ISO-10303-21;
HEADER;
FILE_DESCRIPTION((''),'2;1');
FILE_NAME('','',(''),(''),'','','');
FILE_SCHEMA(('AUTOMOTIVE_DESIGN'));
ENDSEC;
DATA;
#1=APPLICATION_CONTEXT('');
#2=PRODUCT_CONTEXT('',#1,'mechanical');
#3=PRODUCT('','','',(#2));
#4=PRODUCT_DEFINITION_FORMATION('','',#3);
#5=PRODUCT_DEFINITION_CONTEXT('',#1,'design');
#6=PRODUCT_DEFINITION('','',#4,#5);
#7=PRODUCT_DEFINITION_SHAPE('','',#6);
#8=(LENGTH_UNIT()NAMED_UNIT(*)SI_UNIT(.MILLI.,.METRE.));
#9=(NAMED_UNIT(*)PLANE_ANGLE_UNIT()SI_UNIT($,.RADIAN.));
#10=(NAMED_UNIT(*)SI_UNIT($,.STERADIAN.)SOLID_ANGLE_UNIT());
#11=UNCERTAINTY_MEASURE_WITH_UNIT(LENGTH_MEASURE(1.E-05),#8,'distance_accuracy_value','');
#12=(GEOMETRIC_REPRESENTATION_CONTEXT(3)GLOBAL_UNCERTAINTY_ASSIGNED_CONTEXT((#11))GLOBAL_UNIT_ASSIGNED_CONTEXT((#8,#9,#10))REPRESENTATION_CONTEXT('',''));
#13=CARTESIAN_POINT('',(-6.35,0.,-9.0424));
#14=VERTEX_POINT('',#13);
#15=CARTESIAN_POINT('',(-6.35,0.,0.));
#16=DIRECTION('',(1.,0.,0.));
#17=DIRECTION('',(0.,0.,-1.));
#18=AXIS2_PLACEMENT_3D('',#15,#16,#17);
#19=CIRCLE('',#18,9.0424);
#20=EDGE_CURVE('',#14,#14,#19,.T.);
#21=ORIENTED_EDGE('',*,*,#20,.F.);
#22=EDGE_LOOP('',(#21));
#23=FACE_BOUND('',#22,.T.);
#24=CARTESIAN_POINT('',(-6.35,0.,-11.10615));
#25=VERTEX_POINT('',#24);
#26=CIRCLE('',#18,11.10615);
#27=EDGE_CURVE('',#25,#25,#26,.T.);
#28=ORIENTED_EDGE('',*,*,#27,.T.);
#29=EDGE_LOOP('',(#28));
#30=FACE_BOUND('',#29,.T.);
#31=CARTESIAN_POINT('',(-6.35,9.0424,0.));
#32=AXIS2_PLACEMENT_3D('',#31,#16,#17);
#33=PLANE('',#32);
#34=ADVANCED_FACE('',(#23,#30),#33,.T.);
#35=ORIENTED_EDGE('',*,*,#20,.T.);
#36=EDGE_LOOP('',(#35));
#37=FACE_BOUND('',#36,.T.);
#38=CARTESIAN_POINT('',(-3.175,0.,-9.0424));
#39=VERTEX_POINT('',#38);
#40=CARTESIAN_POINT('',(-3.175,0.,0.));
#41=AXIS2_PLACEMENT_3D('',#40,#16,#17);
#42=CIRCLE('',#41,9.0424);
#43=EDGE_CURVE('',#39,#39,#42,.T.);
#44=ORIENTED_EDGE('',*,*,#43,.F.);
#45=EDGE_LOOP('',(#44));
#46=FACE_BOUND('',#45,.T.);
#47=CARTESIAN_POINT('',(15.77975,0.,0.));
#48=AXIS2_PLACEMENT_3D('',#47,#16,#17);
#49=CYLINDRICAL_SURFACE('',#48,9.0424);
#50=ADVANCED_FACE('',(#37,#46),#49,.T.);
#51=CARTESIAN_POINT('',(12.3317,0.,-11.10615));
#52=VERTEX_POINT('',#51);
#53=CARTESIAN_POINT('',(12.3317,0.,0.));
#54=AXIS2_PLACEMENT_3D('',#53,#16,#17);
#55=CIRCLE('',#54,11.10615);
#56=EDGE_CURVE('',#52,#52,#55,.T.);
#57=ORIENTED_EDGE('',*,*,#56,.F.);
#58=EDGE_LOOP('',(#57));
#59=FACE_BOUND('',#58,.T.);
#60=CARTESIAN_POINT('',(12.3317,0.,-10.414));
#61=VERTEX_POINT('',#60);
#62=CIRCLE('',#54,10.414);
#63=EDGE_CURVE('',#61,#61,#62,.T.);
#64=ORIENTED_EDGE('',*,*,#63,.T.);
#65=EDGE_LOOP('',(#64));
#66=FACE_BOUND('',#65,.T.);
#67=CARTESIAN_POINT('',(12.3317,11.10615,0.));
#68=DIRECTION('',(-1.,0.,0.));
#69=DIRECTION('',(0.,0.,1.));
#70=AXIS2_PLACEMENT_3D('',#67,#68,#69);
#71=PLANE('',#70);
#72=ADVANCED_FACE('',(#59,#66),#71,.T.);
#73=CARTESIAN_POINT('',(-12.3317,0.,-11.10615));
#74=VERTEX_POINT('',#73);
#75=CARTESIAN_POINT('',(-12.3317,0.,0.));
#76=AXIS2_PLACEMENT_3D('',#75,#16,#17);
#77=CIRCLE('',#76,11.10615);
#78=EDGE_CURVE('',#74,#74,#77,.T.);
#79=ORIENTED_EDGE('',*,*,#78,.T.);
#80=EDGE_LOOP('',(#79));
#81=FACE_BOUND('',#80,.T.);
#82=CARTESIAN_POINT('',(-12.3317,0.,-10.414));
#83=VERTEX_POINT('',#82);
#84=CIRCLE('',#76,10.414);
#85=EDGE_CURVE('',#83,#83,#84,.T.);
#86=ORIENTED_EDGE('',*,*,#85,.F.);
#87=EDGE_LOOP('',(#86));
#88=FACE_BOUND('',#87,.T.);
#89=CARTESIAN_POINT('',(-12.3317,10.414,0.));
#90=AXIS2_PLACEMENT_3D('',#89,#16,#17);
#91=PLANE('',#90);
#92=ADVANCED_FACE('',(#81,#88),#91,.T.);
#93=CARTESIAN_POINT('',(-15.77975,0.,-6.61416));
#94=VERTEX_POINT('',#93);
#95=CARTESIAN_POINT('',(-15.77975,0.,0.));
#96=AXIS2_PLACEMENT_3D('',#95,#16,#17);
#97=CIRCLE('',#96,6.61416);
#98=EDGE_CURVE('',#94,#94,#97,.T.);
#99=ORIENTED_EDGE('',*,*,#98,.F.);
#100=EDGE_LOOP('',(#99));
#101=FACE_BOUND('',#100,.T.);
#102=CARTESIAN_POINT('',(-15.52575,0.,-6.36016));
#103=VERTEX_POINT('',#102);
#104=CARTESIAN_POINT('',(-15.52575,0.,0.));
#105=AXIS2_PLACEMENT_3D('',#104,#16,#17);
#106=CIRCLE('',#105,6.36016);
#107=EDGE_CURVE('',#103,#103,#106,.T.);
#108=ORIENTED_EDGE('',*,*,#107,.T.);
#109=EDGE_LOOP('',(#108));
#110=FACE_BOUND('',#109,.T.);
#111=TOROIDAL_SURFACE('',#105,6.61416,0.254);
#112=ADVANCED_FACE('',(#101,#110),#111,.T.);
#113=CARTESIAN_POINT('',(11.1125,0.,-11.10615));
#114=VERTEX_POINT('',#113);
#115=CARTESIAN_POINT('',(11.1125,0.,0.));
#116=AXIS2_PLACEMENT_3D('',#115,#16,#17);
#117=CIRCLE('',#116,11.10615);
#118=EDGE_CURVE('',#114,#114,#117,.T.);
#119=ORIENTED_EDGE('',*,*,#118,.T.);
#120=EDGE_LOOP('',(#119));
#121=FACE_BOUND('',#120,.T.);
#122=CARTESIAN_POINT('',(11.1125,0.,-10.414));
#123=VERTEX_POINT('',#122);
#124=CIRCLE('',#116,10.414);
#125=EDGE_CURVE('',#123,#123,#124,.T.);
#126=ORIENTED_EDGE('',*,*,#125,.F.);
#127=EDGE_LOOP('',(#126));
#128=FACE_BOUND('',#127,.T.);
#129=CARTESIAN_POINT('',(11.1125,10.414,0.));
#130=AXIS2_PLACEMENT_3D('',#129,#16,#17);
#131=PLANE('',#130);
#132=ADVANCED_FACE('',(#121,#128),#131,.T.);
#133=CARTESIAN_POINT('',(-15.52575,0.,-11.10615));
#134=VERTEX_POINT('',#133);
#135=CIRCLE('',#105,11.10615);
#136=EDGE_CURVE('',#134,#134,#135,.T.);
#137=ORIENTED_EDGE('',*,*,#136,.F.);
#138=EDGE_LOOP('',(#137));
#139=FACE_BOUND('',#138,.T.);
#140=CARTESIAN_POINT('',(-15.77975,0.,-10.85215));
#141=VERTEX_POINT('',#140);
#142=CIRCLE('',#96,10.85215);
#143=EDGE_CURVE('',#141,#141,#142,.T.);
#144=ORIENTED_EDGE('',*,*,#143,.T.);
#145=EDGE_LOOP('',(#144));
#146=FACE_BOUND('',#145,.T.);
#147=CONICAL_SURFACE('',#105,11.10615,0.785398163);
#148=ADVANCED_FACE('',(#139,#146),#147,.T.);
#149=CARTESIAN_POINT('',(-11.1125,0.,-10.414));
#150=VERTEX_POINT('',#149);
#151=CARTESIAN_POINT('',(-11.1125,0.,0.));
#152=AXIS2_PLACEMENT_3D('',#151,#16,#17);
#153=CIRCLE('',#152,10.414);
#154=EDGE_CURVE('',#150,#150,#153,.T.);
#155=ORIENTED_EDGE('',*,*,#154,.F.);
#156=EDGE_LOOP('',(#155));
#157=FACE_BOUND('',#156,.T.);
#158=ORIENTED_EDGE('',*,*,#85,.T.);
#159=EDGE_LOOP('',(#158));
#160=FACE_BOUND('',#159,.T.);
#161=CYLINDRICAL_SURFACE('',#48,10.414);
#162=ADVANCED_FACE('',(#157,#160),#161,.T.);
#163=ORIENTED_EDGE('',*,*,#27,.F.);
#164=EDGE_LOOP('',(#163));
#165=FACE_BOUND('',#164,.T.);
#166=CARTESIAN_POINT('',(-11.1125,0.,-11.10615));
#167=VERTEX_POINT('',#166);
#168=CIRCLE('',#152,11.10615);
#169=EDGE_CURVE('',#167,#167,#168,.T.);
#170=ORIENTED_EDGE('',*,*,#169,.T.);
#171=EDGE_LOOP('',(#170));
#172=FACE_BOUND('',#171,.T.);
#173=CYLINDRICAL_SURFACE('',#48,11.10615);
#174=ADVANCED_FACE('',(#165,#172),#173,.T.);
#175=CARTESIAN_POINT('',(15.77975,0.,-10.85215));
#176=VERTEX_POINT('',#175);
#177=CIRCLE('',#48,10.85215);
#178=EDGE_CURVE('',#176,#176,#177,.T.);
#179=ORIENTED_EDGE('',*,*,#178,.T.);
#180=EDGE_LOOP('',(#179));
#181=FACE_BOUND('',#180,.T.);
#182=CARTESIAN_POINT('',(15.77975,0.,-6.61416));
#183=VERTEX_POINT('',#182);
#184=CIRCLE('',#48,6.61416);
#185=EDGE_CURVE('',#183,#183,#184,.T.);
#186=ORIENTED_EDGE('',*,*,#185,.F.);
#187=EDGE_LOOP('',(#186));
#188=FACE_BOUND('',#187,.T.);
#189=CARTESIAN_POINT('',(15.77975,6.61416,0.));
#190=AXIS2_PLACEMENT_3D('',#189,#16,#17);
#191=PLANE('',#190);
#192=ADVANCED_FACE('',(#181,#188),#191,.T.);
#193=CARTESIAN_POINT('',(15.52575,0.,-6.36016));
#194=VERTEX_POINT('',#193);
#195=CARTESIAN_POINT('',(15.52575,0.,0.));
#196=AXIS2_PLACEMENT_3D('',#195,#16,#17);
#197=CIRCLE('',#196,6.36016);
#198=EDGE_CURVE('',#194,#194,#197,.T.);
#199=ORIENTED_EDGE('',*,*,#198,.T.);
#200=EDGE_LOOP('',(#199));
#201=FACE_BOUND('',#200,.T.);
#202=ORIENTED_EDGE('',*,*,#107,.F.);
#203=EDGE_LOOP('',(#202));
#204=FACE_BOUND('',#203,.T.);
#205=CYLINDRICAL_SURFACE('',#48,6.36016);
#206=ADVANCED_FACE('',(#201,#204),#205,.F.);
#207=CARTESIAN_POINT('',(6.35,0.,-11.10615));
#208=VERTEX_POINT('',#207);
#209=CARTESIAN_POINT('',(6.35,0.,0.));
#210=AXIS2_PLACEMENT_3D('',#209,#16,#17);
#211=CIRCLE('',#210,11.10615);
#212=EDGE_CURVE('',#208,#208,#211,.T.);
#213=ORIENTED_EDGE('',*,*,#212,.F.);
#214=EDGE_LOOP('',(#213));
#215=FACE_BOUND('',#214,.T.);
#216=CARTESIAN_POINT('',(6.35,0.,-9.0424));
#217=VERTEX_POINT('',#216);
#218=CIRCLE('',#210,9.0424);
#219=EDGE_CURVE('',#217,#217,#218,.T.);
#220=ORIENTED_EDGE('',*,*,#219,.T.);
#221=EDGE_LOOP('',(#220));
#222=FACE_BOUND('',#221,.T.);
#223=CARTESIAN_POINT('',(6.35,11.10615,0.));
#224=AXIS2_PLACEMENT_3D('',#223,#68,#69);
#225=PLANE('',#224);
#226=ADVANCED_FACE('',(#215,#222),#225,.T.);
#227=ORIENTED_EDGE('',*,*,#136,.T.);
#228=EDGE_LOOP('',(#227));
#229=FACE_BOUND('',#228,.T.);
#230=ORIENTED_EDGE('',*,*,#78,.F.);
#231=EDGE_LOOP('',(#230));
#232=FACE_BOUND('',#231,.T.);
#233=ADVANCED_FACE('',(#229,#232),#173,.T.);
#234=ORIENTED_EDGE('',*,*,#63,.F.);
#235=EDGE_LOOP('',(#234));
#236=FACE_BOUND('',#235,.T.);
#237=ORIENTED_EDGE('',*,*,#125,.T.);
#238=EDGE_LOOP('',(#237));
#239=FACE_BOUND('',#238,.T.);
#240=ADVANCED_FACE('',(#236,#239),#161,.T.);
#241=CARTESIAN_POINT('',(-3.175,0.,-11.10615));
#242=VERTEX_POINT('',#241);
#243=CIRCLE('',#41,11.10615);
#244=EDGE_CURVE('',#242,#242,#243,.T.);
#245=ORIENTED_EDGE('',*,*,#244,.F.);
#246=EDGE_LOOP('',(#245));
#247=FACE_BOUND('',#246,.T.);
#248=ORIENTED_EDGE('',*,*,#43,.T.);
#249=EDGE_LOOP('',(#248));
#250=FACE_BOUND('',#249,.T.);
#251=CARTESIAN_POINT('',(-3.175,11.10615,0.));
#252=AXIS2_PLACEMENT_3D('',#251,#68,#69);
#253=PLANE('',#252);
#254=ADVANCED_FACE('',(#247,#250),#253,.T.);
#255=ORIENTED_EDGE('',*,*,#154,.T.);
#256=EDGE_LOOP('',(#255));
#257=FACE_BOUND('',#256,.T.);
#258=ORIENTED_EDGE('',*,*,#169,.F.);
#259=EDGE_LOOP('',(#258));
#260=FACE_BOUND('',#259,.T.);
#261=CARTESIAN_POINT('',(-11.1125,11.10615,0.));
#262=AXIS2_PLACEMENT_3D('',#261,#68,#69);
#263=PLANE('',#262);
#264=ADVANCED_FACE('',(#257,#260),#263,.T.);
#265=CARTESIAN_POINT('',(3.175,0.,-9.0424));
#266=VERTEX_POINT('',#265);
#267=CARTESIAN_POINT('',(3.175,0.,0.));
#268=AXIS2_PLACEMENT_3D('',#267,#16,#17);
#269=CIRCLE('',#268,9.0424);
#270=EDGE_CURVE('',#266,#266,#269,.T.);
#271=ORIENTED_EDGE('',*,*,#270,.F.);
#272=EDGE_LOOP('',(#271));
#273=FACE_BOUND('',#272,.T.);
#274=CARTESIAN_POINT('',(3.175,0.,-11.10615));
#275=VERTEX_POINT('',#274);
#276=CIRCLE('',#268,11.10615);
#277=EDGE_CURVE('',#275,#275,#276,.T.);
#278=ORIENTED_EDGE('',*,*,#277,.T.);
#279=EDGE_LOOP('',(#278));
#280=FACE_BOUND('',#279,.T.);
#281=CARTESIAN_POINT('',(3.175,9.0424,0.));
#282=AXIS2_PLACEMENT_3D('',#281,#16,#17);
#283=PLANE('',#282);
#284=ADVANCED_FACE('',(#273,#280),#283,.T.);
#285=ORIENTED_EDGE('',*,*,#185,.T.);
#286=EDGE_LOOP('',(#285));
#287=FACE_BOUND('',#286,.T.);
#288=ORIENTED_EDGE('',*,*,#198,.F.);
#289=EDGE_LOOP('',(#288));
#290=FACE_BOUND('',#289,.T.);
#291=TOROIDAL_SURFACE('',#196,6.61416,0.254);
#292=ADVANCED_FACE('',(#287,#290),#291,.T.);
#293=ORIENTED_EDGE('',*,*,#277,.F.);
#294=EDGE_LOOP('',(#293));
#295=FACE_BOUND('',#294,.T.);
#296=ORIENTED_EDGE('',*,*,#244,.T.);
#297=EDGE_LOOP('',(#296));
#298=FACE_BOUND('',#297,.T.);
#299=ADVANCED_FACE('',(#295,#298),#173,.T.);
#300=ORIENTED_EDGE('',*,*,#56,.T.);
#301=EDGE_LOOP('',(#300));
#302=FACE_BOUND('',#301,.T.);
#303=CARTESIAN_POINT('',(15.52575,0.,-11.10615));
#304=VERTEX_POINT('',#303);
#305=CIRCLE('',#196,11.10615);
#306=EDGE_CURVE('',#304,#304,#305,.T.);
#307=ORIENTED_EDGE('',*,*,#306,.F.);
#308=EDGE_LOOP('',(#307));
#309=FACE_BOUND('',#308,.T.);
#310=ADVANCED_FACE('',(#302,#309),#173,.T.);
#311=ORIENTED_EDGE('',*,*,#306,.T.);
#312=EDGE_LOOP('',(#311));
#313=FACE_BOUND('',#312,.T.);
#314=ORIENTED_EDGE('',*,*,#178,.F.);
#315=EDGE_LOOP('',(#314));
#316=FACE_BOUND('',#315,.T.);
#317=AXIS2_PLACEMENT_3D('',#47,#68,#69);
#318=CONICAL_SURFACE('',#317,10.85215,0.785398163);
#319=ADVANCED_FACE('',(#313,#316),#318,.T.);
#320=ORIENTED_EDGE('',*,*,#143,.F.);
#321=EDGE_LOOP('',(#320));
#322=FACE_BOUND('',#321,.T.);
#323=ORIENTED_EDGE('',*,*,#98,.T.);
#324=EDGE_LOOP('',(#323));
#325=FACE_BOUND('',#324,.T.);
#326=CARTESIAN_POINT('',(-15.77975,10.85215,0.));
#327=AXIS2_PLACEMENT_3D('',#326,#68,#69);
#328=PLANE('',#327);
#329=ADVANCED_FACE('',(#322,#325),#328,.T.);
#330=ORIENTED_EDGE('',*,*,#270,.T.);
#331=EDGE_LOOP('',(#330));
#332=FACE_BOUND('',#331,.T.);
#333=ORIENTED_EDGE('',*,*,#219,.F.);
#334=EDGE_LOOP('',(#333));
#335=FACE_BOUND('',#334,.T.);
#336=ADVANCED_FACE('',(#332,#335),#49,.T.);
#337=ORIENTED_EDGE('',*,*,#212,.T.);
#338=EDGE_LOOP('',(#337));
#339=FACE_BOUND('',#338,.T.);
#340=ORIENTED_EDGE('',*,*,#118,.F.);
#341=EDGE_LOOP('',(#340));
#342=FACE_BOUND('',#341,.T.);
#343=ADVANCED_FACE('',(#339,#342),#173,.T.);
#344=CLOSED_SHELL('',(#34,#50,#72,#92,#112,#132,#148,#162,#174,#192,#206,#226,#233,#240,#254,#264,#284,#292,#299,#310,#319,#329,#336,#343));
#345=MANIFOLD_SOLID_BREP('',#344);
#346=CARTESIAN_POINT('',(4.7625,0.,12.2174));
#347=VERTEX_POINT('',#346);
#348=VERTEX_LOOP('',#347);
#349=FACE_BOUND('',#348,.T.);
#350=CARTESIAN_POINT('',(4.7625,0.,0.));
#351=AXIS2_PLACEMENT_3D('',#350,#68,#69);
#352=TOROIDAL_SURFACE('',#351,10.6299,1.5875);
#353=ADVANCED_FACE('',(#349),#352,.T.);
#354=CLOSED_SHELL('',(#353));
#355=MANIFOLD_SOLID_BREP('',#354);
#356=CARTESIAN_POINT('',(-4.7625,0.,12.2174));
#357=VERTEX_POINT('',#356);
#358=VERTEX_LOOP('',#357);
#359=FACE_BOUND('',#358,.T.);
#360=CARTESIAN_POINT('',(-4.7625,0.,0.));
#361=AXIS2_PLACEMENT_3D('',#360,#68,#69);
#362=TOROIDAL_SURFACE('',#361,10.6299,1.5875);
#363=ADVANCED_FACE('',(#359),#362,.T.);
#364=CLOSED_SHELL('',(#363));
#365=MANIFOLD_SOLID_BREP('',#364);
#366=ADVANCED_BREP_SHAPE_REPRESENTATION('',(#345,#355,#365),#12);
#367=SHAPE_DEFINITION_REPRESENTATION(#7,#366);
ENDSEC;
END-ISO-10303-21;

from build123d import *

# Parameters (mm, degrees)
SKETCH2_R = 1.5875


with BuildPart() as part:
    # Sketch1 → Revolve1 (revolve)
    with BuildSketch(Plane.XY, mode=Mode.PRIVATE) as revolve1_sk:
        with BuildLine():
            Line((-15.77975, 10.85215), (-15.77975, 6.61416))
            ThreePointArc((-15.77975, 6.61416), (-15.705355122, 6.434554878), (-15.52575, 6.36016))
            Line((-15.52575, 6.36016), (15.52575, 6.36016))
            ThreePointArc((15.52575, 6.36016), (15.705355122, 6.434554878), (15.77975, 6.61416))
            Line((15.77975, 6.61416), (15.77975, 10.85215))
            Line((15.77975, 10.85215), (15.52575, 11.10615))
            Line((15.52575, 11.10615), (12.3317, 11.10615))
            Line((12.3317, 11.10615), (12.3317, 10.414))
            Line((12.3317, 10.414), (11.1125, 10.414))
            Line((11.1125, 10.414), (11.1125, 11.10615))
            Line((11.1125, 11.10615), (6.35, 11.10615))
            Line((6.35, 11.10615), (6.35, 9.0424))
            Line((6.35, 9.0424), (3.175, 9.0424))
            Line((3.175, 9.0424), (3.175, 11.10615))
            Line((3.175, 11.10615), (-3.175, 11.10615))
            Line((-3.175, 11.10615), (-3.175, 9.0424))
            Line((-3.175, 9.0424), (-6.35, 9.0424))
            Line((-6.35, 9.0424), (-6.35, 11.10615))
            Line((-6.35, 11.10615), (-11.1125, 11.10615))
            Line((-11.1125, 11.10615), (-11.1125, 10.414))
            Line((-11.1125, 10.414), (-12.3317, 10.414))
            Line((-12.3317, 10.414), (-12.3317, 11.10615))
            Line((-12.3317, 11.10615), (-15.52575, 11.10615))
            Line((-15.52575, 11.10615), (-15.77975, 10.85215))
        make_face()
    revolve(revolve1_sk.sketch.rotate(Axis((15.77975, 0, 0), (-1, 0, 0)), 90), axis=Axis((15.77975, 0, 0), (-1, 0, 0)))


with BuildPart() as body_2:
    # Sketch2 → Revolve2 (revolve)
    with BuildSketch(Plane(origin=(0, 0, 0), x_dir=(1, 0, 0), z_dir=(0, 1, 0)), mode=Mode.PRIVATE) as revolve2_sk:
        with Locations((-4.7625, 10.6299)):
            Circle(SKETCH2_R)
        with Locations((4.7625, 10.6299)):
            Circle(SKETCH2_R)
    revolve(revolve2_sk.sketch.rotate(Axis((-15.52575, 0, 0), (1, 0, 0)), 180), axis=Axis((-15.52575, 0, 0), (1, 0, 0)))


solid = Compound([part.part, body_2.part])
